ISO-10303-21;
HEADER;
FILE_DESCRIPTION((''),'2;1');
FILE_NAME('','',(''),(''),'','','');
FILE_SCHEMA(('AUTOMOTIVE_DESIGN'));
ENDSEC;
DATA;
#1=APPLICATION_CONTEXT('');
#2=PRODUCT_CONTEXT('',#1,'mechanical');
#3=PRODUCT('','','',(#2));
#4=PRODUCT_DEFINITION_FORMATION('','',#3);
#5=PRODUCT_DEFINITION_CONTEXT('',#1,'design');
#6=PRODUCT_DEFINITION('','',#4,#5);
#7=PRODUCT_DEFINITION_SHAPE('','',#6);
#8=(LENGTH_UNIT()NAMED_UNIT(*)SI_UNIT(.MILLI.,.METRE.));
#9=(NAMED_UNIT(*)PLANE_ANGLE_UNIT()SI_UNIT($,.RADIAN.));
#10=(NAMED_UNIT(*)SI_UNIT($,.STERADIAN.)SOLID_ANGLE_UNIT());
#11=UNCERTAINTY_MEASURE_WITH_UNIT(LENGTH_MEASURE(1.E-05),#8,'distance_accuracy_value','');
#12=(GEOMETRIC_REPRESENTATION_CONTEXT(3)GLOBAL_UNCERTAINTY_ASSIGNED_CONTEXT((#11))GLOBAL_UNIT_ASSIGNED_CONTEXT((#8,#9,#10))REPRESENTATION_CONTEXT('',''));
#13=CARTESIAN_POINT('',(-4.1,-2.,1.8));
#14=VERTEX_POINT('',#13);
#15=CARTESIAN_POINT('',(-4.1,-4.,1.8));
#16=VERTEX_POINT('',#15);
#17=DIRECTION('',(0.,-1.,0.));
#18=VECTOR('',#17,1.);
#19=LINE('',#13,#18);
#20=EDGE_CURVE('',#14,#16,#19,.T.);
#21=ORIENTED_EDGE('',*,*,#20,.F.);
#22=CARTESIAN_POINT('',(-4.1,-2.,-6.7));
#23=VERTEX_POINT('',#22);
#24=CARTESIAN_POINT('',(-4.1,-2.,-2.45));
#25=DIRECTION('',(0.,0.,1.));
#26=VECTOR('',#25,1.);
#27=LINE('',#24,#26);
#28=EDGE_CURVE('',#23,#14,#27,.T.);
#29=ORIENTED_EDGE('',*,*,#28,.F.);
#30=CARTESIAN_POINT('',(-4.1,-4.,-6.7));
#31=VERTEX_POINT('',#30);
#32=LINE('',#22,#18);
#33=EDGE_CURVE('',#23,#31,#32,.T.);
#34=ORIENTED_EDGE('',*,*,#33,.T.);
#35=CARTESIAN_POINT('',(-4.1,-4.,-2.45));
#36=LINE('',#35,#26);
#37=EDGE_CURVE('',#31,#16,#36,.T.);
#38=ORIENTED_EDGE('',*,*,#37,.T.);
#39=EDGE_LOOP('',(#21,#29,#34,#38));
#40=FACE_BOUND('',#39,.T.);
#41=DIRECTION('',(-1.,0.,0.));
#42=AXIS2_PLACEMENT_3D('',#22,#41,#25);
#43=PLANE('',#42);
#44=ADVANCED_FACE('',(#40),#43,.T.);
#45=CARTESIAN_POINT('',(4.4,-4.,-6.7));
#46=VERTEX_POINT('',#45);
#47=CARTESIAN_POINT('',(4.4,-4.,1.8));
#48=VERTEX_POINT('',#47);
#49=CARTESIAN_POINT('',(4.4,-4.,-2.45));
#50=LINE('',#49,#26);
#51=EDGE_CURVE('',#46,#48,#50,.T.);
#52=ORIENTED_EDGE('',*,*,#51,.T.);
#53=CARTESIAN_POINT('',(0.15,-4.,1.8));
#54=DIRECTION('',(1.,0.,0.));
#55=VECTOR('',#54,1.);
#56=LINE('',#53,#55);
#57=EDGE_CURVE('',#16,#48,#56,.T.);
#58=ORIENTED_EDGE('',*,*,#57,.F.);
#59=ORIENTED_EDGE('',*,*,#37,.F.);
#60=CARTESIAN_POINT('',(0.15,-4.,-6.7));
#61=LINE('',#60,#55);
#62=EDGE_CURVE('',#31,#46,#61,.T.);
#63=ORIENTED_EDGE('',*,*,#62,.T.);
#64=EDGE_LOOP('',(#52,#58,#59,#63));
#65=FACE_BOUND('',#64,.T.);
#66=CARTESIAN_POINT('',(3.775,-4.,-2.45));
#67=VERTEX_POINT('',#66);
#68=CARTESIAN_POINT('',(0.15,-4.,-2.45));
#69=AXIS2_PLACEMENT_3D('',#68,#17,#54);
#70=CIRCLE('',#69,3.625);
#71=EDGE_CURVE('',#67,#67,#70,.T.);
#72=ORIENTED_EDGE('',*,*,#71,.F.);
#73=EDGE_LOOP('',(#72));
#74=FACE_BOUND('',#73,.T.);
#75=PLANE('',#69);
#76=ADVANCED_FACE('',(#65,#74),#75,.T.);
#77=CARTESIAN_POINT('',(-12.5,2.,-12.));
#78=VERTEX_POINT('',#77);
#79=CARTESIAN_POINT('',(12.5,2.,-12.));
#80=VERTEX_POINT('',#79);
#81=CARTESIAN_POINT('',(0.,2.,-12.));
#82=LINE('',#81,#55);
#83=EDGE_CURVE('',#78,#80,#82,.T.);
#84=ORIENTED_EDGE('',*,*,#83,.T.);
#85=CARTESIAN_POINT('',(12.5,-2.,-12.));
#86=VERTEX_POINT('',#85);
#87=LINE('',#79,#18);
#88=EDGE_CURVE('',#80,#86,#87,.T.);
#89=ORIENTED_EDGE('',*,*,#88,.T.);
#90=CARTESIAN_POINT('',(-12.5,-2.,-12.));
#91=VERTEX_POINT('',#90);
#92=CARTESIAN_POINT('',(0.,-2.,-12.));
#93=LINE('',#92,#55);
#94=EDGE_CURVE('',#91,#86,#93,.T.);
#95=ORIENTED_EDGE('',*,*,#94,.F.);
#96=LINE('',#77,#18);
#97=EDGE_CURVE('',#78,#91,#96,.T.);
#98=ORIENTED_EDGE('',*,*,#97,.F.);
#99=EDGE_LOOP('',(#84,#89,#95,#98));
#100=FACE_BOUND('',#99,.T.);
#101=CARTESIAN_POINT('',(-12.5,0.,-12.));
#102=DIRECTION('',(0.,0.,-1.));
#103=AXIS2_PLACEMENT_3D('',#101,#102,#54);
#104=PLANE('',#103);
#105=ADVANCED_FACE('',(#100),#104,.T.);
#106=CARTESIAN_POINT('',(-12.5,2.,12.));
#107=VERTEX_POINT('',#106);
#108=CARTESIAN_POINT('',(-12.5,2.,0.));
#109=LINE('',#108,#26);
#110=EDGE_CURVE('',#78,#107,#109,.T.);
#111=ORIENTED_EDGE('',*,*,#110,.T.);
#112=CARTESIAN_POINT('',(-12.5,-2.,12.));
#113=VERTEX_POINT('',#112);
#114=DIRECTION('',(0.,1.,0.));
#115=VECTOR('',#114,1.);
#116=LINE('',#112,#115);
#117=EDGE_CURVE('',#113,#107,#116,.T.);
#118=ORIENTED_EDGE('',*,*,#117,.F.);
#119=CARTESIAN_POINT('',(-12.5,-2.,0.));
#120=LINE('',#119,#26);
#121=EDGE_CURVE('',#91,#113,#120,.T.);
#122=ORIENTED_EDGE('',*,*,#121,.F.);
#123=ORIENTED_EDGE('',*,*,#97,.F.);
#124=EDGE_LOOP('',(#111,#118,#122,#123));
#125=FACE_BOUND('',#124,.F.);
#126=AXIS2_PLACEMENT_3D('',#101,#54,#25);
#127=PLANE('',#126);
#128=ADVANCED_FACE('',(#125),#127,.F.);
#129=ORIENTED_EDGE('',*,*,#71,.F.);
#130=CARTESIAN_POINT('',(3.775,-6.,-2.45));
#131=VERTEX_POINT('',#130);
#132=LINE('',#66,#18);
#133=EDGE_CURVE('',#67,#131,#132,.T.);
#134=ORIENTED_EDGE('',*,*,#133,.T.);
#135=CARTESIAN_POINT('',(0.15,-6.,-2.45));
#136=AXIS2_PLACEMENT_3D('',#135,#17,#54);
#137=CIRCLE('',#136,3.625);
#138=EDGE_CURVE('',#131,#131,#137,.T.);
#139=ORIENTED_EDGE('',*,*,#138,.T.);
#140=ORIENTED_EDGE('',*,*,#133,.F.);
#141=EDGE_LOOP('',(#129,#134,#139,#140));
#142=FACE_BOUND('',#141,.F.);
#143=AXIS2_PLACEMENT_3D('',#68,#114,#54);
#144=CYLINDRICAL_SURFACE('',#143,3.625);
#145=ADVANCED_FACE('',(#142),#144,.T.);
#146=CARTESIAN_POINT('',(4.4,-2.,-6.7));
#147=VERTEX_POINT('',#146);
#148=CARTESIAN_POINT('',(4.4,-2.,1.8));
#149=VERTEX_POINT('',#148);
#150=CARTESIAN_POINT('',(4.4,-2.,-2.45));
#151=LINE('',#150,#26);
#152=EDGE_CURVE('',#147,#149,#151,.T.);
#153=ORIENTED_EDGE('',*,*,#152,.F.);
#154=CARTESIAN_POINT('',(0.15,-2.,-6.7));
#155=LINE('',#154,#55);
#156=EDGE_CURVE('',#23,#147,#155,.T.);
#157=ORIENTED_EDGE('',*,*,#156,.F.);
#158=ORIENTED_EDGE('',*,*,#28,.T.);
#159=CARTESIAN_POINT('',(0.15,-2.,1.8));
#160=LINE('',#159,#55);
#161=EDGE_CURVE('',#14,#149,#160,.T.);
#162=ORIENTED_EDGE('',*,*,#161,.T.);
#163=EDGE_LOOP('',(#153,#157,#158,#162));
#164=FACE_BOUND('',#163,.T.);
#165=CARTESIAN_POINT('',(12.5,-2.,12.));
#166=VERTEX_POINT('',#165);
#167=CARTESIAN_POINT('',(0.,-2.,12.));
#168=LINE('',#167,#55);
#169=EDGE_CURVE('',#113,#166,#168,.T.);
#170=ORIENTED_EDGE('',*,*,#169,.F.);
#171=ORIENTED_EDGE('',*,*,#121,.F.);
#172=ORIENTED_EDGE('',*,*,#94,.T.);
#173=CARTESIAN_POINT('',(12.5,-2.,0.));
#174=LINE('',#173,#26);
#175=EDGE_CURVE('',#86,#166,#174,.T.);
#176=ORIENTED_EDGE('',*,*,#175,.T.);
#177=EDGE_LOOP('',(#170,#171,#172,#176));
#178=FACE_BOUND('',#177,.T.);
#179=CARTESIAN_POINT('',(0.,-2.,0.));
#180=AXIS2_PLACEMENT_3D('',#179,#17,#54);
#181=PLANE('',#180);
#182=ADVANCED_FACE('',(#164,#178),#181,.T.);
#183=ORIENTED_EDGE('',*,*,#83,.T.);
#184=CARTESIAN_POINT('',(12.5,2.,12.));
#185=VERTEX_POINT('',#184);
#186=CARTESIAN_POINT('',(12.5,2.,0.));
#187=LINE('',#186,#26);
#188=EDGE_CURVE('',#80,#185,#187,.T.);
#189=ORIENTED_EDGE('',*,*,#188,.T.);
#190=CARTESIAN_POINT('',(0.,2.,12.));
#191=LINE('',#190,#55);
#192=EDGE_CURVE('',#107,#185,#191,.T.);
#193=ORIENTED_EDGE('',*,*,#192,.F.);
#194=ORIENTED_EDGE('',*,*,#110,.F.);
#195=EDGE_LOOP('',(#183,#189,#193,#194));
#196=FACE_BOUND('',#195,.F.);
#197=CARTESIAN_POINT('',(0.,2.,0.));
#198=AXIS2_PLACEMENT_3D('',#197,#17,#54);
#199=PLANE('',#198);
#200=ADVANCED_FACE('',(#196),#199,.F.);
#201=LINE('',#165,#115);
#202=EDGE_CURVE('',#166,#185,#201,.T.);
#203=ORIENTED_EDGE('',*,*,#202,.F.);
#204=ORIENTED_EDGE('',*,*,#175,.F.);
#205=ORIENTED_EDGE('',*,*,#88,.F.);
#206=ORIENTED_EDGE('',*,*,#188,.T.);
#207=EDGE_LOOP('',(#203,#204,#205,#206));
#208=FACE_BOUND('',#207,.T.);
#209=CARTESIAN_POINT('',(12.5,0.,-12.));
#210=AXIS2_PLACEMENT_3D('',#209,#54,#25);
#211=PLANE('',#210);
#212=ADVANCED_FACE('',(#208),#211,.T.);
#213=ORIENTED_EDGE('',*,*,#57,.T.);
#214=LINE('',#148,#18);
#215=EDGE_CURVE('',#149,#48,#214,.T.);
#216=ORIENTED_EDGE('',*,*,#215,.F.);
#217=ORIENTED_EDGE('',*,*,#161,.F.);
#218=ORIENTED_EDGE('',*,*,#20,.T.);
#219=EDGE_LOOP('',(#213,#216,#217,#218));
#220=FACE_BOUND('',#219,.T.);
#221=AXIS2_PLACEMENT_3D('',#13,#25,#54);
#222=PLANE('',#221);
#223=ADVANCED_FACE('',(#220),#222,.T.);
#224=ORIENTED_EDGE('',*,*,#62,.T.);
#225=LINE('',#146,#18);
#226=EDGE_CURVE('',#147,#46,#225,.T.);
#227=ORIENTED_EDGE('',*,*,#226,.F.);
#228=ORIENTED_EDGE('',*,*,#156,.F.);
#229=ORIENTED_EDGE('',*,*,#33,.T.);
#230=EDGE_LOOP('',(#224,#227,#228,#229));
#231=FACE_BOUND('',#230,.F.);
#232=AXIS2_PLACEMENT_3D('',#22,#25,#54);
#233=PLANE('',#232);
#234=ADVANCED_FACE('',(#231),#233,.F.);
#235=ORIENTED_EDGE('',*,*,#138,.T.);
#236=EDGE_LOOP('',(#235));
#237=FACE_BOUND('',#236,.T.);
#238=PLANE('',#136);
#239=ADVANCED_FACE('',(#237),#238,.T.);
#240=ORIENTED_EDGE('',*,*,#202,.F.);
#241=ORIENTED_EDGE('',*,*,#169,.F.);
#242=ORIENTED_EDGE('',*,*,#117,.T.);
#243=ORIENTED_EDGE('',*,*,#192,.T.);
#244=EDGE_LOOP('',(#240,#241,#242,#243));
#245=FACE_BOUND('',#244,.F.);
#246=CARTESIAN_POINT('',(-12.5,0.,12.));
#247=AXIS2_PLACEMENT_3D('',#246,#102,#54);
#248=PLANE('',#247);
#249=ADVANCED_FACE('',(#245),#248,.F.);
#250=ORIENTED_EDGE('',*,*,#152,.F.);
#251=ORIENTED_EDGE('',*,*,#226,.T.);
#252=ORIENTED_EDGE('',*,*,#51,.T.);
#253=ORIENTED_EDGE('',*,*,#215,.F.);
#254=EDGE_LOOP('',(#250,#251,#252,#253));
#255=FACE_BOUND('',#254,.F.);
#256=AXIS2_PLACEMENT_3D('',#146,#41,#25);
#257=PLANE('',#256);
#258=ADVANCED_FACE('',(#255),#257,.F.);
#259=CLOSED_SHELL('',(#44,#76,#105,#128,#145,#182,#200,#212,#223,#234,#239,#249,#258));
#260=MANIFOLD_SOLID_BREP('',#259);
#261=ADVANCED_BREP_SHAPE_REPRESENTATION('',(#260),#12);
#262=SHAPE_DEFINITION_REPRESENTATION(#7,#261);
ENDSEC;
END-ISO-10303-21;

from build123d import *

# Parameters (mm, degrees)
F0_W     = 25
F0_H     = 24
F1_DEPTH = 2
F2_W     = 8.5
F2_H     = 8.5
F3_DEPTH = 2
F4_R     = 3.625
F5_DEPTH = 2


with BuildPart() as f1:
    # F0 (on Front) → F1 (new body, symmetric)
    with BuildSketch(Plane.XZ):
        Rectangle(F0_W, F0_H)
    extrude(amount=F1_DEPTH, both=True)

    # F2 (on face) → F3 (join)
    with BuildSketch(Plane.XZ.offset(2)):
        with Locations((0.15, -2.45)):
            Rectangle(F2_W, F2_H)
    extrude(amount=F3_DEPTH)

    # F4 (on face) → F5 (join)
    with BuildSketch(Plane.XZ.offset(4)):
        with Locations((0.15, -2.45)):
            Circle(F4_R)
    extrude(amount=F5_DEPTH)


solid = f1.part
